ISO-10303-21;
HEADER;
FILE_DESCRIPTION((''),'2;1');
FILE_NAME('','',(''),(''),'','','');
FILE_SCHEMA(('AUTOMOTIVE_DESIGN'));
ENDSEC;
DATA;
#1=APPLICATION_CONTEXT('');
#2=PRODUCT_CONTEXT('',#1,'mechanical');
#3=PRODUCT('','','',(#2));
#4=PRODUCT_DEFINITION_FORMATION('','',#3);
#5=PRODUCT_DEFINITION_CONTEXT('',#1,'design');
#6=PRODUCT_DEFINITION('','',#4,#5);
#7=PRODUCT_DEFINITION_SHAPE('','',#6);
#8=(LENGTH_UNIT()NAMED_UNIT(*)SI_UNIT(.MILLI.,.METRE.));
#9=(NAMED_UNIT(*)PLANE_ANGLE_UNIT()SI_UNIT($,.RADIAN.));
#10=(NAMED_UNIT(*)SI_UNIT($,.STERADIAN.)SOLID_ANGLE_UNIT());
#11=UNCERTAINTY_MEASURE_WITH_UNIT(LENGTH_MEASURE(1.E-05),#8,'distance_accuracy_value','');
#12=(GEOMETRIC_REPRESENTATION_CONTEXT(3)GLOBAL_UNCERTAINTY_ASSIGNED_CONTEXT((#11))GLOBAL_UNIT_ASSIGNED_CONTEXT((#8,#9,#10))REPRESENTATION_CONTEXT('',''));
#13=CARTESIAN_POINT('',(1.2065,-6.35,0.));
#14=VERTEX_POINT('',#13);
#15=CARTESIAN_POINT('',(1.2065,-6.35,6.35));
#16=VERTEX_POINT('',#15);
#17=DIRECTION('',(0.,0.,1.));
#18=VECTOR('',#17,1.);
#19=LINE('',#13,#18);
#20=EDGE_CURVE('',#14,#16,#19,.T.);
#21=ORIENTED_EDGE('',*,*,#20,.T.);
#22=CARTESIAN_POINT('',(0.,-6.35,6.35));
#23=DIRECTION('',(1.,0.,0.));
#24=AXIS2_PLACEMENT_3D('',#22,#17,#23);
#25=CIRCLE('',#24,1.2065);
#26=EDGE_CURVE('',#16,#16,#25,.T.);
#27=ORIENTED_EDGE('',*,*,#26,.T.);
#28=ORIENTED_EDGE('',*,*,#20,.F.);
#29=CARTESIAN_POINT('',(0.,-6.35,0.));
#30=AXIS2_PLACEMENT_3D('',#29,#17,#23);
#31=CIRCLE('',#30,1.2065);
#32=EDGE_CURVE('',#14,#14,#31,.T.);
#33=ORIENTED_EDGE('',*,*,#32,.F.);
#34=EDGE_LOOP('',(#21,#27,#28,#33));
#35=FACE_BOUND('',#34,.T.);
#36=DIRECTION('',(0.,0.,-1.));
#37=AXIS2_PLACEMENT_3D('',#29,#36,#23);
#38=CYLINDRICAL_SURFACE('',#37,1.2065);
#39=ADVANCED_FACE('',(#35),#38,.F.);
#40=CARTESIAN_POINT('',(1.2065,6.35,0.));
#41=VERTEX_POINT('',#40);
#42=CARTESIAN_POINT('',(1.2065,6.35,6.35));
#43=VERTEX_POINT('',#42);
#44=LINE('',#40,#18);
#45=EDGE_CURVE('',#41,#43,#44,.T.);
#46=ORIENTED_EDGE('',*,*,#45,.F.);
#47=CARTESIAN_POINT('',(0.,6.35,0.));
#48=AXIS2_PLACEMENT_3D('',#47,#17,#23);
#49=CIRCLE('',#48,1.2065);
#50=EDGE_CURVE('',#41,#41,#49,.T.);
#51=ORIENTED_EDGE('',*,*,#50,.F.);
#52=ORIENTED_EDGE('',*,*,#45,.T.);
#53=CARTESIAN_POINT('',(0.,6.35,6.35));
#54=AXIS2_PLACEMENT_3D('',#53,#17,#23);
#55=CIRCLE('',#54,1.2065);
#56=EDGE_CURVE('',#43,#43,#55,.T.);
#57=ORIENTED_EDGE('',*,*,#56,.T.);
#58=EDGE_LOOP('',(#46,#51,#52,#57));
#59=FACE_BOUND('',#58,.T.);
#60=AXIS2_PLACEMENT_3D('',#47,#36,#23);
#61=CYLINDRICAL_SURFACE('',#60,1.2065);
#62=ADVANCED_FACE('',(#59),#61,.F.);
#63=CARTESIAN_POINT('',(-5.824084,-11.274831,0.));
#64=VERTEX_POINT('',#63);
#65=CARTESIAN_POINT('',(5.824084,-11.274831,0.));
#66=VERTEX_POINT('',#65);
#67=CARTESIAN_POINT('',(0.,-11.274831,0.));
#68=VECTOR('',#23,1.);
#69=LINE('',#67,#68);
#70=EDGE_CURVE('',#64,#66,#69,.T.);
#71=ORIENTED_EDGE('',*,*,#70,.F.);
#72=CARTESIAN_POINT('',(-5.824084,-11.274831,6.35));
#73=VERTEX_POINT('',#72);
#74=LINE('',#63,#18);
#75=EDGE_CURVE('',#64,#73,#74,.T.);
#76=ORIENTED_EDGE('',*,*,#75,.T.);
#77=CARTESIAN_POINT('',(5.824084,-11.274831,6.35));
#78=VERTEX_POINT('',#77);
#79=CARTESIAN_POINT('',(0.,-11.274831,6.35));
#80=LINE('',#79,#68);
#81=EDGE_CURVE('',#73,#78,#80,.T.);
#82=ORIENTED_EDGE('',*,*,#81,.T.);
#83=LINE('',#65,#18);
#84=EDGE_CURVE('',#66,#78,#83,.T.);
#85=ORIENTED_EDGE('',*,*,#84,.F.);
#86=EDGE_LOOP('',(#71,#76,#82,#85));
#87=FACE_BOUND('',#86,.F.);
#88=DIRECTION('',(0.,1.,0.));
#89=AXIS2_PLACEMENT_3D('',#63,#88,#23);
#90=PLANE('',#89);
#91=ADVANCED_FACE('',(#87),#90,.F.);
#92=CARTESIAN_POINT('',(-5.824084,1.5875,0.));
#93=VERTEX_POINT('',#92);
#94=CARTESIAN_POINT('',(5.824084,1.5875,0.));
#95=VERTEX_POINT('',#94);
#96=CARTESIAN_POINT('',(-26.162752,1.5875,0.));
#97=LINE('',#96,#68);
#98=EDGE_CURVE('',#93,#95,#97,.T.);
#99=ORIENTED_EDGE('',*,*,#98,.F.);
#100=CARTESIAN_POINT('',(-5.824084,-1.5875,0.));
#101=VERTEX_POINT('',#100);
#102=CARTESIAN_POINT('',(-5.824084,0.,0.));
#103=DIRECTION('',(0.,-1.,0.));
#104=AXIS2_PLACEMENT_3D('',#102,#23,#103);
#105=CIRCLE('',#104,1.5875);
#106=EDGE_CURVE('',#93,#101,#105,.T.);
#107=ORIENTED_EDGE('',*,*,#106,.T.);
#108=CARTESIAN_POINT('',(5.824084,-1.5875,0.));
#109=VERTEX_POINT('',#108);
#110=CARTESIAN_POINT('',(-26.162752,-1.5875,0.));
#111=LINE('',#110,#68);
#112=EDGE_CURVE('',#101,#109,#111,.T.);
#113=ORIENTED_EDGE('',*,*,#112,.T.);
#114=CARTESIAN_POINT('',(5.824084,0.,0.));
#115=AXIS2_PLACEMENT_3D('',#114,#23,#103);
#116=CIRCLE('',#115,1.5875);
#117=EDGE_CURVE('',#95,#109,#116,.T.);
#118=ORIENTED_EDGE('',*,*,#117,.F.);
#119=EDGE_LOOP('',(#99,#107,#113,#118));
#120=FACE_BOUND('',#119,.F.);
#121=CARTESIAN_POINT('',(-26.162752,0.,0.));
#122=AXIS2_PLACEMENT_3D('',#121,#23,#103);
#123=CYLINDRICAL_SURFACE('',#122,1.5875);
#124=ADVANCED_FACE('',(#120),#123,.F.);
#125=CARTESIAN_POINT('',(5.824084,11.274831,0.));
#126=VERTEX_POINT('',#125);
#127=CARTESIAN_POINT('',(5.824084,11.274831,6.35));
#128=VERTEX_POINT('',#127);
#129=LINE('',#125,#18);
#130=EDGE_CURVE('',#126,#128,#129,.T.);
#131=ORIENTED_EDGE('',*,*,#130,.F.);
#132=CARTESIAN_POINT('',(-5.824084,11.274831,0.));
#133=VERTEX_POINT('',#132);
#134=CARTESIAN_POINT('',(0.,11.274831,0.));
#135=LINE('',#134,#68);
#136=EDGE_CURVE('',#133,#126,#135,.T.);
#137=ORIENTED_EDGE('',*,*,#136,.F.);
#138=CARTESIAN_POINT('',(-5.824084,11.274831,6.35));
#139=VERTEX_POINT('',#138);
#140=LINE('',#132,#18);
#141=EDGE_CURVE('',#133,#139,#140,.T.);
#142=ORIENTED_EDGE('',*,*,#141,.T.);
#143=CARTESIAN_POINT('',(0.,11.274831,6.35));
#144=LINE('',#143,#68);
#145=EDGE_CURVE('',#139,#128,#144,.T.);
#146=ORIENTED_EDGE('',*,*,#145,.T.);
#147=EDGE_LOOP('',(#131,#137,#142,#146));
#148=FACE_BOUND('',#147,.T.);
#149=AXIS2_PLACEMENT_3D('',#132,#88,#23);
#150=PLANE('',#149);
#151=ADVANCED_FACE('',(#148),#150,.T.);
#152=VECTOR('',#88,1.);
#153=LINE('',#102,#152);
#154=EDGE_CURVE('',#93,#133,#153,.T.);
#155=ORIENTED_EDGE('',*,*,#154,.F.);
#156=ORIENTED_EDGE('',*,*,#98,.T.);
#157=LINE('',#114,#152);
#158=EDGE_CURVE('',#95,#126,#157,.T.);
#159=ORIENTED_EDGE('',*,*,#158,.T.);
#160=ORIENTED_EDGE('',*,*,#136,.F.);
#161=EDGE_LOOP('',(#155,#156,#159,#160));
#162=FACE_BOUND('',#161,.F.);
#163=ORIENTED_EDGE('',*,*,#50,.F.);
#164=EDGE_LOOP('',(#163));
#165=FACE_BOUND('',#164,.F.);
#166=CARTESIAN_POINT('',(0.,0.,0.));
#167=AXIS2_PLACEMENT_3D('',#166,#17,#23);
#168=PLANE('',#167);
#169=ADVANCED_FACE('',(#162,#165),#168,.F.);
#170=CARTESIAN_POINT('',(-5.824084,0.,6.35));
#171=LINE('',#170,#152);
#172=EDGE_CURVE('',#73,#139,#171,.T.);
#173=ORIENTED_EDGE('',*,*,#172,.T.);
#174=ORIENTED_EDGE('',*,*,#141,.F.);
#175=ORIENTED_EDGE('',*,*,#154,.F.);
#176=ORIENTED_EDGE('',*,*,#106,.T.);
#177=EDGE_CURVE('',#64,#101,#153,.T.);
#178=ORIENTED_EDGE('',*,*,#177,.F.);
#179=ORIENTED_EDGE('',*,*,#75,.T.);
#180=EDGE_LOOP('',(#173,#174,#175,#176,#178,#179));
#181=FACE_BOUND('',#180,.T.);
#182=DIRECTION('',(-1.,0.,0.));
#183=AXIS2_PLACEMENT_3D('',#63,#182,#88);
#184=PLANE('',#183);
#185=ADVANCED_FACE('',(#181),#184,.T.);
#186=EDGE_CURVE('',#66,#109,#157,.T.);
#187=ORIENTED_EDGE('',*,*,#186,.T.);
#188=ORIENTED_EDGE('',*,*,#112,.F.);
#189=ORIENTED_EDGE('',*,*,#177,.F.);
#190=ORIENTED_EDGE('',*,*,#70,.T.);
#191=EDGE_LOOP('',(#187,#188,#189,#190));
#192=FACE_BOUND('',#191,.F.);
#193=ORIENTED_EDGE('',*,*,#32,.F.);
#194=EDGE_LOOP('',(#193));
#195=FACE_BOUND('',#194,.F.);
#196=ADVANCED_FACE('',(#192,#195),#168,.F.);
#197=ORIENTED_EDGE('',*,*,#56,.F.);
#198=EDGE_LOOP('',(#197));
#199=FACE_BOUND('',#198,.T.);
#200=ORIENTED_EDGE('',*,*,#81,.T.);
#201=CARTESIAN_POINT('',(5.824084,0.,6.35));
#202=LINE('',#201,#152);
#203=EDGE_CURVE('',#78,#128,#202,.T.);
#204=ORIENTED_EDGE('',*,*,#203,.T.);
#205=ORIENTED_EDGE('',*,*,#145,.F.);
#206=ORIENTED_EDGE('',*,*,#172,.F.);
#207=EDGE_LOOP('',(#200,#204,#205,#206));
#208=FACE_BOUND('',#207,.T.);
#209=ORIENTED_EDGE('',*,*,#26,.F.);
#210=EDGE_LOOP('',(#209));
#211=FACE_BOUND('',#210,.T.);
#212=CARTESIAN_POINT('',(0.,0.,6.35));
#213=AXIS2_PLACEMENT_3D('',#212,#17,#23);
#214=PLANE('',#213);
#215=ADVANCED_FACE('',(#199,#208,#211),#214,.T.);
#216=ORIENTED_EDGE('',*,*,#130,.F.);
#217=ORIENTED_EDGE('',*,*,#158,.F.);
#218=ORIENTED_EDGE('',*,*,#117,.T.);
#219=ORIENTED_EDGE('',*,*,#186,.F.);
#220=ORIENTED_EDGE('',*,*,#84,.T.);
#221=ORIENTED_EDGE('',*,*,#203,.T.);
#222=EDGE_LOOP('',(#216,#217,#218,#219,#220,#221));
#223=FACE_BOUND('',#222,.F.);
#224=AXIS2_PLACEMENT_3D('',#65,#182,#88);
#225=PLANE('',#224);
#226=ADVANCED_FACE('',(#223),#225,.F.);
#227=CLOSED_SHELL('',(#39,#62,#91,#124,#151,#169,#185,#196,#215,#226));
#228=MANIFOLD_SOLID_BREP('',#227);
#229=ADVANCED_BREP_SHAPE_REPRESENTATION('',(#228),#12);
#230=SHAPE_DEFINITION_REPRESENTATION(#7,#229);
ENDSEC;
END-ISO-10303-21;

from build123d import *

# Parameters (mm, degrees)
F0_W     = 11.648168
F0_H     = 22.549662
F0_R     = 1.2065
F2_DEPTH = 6.35
F3_D     = 3.175
F5_D     = 3.175


with BuildPart() as f2:
    # F0 (on Top) → F2 (new body)
    with BuildSketch(Plane.XY):
        Rectangle(F0_W, F0_H)
        with Locations((0, -6.35)):
            Circle(F0_R, mode=Mode.SUBTRACT)
        with Locations((0, 6.35)):
            Circle(F0_R, mode=Mode.SUBTRACT)
    extrude(amount=F2_DEPTH)

    # F3 (through all)
    with Locations(Plane(origin=(0, 0, 0), x_dir=(0, 1, 0), z_dir=(-1, 0, 0))):
        with Locations((0, 0)):
            Hole(F3_D / 2)

    # F5 (through all)
    with Locations(Plane.YZ):
        with Locations((0, 0)):
            Hole(F5_D / 2)


solid = f2.part
